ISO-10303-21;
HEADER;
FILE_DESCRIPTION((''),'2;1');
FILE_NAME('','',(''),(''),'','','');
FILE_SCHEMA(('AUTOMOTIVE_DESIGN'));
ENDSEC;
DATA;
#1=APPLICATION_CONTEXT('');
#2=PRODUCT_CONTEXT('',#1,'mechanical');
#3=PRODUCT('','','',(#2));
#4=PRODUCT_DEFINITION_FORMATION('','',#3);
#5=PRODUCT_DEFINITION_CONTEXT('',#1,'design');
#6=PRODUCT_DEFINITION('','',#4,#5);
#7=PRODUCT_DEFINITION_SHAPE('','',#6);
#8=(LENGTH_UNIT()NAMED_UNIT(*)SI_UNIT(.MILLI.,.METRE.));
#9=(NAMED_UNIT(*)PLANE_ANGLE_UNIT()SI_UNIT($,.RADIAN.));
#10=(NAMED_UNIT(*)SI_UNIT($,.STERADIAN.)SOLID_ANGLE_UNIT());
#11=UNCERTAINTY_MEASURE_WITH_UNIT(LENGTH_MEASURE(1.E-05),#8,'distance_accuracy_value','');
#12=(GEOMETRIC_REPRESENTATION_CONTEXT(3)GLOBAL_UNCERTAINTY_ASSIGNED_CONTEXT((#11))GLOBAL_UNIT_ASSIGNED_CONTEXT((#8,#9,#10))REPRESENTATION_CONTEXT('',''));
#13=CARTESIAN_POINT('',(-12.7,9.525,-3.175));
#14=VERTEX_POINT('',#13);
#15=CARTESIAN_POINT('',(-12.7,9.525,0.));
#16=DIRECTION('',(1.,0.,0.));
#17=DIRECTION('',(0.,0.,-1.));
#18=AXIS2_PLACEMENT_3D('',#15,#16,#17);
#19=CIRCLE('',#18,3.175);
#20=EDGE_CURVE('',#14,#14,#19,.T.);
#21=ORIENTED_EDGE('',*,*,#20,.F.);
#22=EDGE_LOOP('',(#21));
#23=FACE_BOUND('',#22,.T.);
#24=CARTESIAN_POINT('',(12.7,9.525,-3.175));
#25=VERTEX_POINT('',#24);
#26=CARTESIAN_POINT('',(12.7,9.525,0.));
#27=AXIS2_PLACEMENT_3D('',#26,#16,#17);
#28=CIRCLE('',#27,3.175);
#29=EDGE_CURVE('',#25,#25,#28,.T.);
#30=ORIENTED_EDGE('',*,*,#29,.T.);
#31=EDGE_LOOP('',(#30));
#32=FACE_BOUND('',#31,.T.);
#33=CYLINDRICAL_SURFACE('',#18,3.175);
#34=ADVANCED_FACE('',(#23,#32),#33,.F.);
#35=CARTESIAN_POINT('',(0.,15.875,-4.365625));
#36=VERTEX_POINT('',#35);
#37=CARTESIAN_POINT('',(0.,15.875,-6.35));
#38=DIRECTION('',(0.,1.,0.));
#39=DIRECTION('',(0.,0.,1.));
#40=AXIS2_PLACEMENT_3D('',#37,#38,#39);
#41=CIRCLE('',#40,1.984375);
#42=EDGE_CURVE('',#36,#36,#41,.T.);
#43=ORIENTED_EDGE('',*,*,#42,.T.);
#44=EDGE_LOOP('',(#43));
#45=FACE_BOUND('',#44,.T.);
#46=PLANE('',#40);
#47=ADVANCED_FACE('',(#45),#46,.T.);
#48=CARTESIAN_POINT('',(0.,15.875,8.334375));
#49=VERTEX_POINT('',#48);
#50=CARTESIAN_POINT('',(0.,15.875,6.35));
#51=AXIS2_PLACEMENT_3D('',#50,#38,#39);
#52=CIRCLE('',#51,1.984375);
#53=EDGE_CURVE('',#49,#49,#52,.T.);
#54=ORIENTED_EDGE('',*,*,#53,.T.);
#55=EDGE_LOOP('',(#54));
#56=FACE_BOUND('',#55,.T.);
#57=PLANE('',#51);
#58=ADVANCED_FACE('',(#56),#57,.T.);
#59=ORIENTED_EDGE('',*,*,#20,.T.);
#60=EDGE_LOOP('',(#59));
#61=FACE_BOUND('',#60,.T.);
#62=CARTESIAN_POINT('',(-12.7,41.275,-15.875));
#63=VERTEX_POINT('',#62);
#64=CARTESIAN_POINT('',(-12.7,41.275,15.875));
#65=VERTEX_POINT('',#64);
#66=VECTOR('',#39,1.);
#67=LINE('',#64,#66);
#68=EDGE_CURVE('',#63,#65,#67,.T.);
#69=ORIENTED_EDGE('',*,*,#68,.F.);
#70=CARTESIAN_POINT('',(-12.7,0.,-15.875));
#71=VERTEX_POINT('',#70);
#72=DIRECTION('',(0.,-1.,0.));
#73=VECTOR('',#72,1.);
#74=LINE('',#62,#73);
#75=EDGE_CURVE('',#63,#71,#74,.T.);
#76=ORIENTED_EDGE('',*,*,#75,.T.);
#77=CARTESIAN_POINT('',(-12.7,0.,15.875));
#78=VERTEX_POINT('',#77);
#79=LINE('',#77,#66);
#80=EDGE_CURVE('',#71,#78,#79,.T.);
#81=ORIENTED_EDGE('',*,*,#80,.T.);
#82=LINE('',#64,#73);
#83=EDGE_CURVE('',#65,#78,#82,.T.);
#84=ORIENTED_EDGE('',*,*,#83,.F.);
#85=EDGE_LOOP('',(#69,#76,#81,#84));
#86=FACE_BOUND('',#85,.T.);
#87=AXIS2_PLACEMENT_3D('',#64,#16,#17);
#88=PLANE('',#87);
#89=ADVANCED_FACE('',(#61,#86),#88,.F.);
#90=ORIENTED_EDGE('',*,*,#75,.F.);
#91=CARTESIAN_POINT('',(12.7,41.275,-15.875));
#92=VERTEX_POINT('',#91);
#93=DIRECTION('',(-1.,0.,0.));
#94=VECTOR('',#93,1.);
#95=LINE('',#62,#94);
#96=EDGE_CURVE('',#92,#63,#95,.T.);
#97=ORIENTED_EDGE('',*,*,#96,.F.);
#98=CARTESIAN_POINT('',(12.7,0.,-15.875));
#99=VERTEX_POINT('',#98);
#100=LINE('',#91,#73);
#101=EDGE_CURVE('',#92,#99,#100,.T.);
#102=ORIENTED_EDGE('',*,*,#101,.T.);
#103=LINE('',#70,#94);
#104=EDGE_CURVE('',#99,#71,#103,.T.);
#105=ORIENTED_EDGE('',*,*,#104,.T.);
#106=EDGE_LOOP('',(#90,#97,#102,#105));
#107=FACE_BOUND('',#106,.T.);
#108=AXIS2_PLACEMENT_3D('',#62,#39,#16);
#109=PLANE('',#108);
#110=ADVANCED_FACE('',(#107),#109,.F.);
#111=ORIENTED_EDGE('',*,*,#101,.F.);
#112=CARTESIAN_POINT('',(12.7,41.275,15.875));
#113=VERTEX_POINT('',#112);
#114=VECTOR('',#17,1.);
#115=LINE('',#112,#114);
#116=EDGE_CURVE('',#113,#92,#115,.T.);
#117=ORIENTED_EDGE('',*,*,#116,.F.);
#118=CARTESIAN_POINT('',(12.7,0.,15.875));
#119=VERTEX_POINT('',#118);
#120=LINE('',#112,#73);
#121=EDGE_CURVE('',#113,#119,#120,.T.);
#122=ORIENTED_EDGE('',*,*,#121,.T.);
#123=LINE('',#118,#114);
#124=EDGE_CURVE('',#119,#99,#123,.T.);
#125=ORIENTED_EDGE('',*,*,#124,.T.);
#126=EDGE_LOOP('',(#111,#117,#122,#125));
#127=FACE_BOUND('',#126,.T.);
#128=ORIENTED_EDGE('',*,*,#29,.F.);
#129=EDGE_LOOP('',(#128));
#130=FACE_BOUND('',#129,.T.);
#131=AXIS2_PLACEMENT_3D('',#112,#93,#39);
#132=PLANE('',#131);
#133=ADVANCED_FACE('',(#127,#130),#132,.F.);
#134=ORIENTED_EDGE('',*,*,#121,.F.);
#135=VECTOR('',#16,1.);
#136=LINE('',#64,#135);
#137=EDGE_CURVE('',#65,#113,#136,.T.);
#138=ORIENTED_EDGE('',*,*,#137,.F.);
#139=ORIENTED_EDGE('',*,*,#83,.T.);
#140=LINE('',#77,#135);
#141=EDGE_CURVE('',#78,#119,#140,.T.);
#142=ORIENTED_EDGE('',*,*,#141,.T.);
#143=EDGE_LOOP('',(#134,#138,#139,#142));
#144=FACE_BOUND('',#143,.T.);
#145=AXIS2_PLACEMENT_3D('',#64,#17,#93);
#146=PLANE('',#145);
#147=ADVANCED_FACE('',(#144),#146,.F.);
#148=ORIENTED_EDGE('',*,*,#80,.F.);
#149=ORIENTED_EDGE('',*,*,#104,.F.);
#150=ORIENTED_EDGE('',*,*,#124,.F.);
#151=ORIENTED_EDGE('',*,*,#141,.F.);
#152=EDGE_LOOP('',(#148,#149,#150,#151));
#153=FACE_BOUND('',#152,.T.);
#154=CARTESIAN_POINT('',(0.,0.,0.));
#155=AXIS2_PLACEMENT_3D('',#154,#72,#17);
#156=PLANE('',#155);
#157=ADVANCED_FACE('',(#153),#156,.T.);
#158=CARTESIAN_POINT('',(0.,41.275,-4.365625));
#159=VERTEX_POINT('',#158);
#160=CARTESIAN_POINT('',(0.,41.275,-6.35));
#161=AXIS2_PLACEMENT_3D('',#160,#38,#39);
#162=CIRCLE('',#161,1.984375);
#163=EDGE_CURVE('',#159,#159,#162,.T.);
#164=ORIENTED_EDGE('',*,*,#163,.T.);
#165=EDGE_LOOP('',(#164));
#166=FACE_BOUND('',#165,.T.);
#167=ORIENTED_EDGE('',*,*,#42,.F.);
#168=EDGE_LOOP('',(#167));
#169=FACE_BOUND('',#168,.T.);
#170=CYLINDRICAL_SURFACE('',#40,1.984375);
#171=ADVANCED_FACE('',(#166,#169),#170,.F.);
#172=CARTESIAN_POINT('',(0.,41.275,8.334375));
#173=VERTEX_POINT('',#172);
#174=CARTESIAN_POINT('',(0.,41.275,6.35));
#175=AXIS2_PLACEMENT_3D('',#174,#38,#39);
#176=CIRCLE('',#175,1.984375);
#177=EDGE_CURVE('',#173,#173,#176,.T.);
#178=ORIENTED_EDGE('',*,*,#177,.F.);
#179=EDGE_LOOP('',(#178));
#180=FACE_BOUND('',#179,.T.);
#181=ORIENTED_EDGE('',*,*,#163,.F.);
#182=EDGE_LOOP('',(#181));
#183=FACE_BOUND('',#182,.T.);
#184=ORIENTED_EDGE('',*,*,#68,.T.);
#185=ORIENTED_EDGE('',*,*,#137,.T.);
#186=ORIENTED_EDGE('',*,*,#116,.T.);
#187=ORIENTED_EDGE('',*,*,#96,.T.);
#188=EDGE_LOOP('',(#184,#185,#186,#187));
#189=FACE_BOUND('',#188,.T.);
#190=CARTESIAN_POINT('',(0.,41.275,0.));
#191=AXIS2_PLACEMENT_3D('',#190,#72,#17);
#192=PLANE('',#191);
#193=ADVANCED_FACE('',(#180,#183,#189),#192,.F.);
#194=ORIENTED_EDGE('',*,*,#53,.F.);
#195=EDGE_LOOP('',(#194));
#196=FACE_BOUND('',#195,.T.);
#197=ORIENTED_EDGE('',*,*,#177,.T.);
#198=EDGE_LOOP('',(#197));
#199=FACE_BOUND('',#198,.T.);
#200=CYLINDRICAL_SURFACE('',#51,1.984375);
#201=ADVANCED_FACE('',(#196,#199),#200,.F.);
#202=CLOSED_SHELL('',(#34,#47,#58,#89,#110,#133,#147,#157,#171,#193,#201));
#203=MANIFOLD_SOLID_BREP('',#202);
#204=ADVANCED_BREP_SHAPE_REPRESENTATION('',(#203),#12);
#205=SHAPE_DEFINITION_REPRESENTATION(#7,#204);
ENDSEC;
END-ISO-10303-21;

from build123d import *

# Parameters (mm, degrees)
SKETCH1_W                      = 25.4
SKETCH1_H                      = 31.75
BOSS_EXTRUDE1_DEPTH            = 41.275
SKETCH2_R                      = 3.175
F_1_4_THROUGH_HOLE_DEPTH       = 51.998051433
SKETCH3_R                      = 1.984375
F_10_32_THREADED_HOLES_1_DEPTH = 25.4


with BuildPart() as part:
    # Sketch1 → Boss-Extrude1 (new body)
    with BuildSketch(Plane(origin=(0, 0, 0), x_dir=(1, 0, 0), z_dir=(0, 1, 0))):
        Rectangle(SKETCH1_W, SKETCH1_H)
    extrude(amount=BOSS_EXTRUDE1_DEPTH)

    # Sketch2 → 1/4" Through Hole (cut, through all)
    with BuildSketch(Plane(origin=(12.7, 0, 0), x_dir=(0, 0, -1), z_dir=(1, 0, 0))):
        with Locations((0, 9.525)):
            Circle(SKETCH2_R)
    extrude(amount=-F_1_4_THROUGH_HOLE_DEPTH, mode=Mode.SUBTRACT)

    # Sketch3 → 10-32 Threaded Holes (1") (cut)
    with BuildSketch(Plane(origin=(0, 41.275, 0), x_dir=(1, 0, 0), z_dir=(0, 1, 0))):
        with Locations(Location((0, 6.35, 0), (0, 0, 270))):
            Circle(SKETCH3_R)
        with Locations(Location((0, -6.35, 0), (0, 0, 270))):
            Circle(SKETCH3_R)
    extrude(amount=-F_10_32_THREADED_HOLES_1_DEPTH, mode=Mode.SUBTRACT)


solid = part.part
